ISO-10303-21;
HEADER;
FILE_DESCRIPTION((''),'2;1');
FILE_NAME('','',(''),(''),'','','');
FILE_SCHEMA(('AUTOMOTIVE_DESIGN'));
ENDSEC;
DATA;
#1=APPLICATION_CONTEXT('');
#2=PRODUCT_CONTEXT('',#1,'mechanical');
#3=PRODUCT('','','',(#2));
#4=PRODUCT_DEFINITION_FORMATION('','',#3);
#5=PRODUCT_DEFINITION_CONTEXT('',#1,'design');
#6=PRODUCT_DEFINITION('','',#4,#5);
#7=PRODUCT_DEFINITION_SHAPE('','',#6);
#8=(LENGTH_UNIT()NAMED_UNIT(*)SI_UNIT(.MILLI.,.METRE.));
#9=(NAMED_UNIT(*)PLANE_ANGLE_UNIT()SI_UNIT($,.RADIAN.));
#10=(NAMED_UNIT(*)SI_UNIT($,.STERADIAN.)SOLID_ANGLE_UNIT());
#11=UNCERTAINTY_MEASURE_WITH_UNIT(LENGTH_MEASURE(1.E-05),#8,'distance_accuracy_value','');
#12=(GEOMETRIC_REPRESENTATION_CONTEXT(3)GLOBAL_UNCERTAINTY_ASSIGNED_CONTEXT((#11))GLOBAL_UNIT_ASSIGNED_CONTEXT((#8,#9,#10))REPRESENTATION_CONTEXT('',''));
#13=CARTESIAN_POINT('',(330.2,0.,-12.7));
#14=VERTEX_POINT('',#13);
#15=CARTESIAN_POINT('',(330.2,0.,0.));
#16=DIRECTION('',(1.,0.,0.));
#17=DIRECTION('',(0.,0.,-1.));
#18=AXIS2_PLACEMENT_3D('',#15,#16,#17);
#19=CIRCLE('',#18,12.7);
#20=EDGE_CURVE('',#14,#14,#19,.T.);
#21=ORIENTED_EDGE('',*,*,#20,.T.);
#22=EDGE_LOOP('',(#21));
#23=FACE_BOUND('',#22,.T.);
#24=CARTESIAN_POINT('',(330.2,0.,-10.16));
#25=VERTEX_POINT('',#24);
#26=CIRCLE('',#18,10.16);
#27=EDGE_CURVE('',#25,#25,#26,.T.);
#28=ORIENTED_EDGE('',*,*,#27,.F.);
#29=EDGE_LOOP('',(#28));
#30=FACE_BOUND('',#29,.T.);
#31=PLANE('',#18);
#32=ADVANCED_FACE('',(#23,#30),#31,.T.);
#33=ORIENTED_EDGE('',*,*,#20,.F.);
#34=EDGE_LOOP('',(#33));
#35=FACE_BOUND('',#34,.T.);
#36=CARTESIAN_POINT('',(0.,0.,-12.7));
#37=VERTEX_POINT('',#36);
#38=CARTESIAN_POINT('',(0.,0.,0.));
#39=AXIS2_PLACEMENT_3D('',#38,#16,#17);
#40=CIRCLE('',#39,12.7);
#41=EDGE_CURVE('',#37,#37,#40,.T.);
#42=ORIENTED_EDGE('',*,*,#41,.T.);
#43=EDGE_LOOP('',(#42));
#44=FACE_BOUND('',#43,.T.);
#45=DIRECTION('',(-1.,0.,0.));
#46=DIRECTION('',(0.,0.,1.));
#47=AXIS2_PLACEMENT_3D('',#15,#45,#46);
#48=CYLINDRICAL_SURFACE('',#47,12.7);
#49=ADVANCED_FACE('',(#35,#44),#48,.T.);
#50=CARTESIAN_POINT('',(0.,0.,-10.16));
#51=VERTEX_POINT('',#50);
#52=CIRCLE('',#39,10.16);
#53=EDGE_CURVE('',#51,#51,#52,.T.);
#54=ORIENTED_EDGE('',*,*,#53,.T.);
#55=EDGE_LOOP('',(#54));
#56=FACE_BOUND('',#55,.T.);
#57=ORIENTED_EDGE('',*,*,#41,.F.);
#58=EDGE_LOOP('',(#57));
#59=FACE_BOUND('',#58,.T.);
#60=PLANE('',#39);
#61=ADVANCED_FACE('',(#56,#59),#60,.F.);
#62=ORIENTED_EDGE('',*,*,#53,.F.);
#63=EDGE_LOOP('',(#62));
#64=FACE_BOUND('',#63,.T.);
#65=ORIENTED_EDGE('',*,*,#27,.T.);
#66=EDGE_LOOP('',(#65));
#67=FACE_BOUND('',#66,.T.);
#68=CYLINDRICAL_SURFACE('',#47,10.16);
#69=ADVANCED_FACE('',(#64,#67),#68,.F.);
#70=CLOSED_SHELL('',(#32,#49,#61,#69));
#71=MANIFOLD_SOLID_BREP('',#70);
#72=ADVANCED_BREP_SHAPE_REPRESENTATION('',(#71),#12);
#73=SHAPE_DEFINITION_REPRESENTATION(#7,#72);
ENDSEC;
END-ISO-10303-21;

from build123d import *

# Parameters (mm, degrees)
SKETCH11_R            = 12.7
SKETCH11_R_2          = 10.16
TUBING_TUBING_1_DEPTH = 330.2


with BuildPart() as part:
    # Sketch11 → Tubing TUBING(1) (new body)
    with BuildSketch(Plane.YZ):
        Circle(SKETCH11_R)
        Circle(SKETCH11_R_2, mode=Mode.SUBTRACT)
    extrude(amount=TUBING_TUBING_1_DEPTH)


solid = part.part
